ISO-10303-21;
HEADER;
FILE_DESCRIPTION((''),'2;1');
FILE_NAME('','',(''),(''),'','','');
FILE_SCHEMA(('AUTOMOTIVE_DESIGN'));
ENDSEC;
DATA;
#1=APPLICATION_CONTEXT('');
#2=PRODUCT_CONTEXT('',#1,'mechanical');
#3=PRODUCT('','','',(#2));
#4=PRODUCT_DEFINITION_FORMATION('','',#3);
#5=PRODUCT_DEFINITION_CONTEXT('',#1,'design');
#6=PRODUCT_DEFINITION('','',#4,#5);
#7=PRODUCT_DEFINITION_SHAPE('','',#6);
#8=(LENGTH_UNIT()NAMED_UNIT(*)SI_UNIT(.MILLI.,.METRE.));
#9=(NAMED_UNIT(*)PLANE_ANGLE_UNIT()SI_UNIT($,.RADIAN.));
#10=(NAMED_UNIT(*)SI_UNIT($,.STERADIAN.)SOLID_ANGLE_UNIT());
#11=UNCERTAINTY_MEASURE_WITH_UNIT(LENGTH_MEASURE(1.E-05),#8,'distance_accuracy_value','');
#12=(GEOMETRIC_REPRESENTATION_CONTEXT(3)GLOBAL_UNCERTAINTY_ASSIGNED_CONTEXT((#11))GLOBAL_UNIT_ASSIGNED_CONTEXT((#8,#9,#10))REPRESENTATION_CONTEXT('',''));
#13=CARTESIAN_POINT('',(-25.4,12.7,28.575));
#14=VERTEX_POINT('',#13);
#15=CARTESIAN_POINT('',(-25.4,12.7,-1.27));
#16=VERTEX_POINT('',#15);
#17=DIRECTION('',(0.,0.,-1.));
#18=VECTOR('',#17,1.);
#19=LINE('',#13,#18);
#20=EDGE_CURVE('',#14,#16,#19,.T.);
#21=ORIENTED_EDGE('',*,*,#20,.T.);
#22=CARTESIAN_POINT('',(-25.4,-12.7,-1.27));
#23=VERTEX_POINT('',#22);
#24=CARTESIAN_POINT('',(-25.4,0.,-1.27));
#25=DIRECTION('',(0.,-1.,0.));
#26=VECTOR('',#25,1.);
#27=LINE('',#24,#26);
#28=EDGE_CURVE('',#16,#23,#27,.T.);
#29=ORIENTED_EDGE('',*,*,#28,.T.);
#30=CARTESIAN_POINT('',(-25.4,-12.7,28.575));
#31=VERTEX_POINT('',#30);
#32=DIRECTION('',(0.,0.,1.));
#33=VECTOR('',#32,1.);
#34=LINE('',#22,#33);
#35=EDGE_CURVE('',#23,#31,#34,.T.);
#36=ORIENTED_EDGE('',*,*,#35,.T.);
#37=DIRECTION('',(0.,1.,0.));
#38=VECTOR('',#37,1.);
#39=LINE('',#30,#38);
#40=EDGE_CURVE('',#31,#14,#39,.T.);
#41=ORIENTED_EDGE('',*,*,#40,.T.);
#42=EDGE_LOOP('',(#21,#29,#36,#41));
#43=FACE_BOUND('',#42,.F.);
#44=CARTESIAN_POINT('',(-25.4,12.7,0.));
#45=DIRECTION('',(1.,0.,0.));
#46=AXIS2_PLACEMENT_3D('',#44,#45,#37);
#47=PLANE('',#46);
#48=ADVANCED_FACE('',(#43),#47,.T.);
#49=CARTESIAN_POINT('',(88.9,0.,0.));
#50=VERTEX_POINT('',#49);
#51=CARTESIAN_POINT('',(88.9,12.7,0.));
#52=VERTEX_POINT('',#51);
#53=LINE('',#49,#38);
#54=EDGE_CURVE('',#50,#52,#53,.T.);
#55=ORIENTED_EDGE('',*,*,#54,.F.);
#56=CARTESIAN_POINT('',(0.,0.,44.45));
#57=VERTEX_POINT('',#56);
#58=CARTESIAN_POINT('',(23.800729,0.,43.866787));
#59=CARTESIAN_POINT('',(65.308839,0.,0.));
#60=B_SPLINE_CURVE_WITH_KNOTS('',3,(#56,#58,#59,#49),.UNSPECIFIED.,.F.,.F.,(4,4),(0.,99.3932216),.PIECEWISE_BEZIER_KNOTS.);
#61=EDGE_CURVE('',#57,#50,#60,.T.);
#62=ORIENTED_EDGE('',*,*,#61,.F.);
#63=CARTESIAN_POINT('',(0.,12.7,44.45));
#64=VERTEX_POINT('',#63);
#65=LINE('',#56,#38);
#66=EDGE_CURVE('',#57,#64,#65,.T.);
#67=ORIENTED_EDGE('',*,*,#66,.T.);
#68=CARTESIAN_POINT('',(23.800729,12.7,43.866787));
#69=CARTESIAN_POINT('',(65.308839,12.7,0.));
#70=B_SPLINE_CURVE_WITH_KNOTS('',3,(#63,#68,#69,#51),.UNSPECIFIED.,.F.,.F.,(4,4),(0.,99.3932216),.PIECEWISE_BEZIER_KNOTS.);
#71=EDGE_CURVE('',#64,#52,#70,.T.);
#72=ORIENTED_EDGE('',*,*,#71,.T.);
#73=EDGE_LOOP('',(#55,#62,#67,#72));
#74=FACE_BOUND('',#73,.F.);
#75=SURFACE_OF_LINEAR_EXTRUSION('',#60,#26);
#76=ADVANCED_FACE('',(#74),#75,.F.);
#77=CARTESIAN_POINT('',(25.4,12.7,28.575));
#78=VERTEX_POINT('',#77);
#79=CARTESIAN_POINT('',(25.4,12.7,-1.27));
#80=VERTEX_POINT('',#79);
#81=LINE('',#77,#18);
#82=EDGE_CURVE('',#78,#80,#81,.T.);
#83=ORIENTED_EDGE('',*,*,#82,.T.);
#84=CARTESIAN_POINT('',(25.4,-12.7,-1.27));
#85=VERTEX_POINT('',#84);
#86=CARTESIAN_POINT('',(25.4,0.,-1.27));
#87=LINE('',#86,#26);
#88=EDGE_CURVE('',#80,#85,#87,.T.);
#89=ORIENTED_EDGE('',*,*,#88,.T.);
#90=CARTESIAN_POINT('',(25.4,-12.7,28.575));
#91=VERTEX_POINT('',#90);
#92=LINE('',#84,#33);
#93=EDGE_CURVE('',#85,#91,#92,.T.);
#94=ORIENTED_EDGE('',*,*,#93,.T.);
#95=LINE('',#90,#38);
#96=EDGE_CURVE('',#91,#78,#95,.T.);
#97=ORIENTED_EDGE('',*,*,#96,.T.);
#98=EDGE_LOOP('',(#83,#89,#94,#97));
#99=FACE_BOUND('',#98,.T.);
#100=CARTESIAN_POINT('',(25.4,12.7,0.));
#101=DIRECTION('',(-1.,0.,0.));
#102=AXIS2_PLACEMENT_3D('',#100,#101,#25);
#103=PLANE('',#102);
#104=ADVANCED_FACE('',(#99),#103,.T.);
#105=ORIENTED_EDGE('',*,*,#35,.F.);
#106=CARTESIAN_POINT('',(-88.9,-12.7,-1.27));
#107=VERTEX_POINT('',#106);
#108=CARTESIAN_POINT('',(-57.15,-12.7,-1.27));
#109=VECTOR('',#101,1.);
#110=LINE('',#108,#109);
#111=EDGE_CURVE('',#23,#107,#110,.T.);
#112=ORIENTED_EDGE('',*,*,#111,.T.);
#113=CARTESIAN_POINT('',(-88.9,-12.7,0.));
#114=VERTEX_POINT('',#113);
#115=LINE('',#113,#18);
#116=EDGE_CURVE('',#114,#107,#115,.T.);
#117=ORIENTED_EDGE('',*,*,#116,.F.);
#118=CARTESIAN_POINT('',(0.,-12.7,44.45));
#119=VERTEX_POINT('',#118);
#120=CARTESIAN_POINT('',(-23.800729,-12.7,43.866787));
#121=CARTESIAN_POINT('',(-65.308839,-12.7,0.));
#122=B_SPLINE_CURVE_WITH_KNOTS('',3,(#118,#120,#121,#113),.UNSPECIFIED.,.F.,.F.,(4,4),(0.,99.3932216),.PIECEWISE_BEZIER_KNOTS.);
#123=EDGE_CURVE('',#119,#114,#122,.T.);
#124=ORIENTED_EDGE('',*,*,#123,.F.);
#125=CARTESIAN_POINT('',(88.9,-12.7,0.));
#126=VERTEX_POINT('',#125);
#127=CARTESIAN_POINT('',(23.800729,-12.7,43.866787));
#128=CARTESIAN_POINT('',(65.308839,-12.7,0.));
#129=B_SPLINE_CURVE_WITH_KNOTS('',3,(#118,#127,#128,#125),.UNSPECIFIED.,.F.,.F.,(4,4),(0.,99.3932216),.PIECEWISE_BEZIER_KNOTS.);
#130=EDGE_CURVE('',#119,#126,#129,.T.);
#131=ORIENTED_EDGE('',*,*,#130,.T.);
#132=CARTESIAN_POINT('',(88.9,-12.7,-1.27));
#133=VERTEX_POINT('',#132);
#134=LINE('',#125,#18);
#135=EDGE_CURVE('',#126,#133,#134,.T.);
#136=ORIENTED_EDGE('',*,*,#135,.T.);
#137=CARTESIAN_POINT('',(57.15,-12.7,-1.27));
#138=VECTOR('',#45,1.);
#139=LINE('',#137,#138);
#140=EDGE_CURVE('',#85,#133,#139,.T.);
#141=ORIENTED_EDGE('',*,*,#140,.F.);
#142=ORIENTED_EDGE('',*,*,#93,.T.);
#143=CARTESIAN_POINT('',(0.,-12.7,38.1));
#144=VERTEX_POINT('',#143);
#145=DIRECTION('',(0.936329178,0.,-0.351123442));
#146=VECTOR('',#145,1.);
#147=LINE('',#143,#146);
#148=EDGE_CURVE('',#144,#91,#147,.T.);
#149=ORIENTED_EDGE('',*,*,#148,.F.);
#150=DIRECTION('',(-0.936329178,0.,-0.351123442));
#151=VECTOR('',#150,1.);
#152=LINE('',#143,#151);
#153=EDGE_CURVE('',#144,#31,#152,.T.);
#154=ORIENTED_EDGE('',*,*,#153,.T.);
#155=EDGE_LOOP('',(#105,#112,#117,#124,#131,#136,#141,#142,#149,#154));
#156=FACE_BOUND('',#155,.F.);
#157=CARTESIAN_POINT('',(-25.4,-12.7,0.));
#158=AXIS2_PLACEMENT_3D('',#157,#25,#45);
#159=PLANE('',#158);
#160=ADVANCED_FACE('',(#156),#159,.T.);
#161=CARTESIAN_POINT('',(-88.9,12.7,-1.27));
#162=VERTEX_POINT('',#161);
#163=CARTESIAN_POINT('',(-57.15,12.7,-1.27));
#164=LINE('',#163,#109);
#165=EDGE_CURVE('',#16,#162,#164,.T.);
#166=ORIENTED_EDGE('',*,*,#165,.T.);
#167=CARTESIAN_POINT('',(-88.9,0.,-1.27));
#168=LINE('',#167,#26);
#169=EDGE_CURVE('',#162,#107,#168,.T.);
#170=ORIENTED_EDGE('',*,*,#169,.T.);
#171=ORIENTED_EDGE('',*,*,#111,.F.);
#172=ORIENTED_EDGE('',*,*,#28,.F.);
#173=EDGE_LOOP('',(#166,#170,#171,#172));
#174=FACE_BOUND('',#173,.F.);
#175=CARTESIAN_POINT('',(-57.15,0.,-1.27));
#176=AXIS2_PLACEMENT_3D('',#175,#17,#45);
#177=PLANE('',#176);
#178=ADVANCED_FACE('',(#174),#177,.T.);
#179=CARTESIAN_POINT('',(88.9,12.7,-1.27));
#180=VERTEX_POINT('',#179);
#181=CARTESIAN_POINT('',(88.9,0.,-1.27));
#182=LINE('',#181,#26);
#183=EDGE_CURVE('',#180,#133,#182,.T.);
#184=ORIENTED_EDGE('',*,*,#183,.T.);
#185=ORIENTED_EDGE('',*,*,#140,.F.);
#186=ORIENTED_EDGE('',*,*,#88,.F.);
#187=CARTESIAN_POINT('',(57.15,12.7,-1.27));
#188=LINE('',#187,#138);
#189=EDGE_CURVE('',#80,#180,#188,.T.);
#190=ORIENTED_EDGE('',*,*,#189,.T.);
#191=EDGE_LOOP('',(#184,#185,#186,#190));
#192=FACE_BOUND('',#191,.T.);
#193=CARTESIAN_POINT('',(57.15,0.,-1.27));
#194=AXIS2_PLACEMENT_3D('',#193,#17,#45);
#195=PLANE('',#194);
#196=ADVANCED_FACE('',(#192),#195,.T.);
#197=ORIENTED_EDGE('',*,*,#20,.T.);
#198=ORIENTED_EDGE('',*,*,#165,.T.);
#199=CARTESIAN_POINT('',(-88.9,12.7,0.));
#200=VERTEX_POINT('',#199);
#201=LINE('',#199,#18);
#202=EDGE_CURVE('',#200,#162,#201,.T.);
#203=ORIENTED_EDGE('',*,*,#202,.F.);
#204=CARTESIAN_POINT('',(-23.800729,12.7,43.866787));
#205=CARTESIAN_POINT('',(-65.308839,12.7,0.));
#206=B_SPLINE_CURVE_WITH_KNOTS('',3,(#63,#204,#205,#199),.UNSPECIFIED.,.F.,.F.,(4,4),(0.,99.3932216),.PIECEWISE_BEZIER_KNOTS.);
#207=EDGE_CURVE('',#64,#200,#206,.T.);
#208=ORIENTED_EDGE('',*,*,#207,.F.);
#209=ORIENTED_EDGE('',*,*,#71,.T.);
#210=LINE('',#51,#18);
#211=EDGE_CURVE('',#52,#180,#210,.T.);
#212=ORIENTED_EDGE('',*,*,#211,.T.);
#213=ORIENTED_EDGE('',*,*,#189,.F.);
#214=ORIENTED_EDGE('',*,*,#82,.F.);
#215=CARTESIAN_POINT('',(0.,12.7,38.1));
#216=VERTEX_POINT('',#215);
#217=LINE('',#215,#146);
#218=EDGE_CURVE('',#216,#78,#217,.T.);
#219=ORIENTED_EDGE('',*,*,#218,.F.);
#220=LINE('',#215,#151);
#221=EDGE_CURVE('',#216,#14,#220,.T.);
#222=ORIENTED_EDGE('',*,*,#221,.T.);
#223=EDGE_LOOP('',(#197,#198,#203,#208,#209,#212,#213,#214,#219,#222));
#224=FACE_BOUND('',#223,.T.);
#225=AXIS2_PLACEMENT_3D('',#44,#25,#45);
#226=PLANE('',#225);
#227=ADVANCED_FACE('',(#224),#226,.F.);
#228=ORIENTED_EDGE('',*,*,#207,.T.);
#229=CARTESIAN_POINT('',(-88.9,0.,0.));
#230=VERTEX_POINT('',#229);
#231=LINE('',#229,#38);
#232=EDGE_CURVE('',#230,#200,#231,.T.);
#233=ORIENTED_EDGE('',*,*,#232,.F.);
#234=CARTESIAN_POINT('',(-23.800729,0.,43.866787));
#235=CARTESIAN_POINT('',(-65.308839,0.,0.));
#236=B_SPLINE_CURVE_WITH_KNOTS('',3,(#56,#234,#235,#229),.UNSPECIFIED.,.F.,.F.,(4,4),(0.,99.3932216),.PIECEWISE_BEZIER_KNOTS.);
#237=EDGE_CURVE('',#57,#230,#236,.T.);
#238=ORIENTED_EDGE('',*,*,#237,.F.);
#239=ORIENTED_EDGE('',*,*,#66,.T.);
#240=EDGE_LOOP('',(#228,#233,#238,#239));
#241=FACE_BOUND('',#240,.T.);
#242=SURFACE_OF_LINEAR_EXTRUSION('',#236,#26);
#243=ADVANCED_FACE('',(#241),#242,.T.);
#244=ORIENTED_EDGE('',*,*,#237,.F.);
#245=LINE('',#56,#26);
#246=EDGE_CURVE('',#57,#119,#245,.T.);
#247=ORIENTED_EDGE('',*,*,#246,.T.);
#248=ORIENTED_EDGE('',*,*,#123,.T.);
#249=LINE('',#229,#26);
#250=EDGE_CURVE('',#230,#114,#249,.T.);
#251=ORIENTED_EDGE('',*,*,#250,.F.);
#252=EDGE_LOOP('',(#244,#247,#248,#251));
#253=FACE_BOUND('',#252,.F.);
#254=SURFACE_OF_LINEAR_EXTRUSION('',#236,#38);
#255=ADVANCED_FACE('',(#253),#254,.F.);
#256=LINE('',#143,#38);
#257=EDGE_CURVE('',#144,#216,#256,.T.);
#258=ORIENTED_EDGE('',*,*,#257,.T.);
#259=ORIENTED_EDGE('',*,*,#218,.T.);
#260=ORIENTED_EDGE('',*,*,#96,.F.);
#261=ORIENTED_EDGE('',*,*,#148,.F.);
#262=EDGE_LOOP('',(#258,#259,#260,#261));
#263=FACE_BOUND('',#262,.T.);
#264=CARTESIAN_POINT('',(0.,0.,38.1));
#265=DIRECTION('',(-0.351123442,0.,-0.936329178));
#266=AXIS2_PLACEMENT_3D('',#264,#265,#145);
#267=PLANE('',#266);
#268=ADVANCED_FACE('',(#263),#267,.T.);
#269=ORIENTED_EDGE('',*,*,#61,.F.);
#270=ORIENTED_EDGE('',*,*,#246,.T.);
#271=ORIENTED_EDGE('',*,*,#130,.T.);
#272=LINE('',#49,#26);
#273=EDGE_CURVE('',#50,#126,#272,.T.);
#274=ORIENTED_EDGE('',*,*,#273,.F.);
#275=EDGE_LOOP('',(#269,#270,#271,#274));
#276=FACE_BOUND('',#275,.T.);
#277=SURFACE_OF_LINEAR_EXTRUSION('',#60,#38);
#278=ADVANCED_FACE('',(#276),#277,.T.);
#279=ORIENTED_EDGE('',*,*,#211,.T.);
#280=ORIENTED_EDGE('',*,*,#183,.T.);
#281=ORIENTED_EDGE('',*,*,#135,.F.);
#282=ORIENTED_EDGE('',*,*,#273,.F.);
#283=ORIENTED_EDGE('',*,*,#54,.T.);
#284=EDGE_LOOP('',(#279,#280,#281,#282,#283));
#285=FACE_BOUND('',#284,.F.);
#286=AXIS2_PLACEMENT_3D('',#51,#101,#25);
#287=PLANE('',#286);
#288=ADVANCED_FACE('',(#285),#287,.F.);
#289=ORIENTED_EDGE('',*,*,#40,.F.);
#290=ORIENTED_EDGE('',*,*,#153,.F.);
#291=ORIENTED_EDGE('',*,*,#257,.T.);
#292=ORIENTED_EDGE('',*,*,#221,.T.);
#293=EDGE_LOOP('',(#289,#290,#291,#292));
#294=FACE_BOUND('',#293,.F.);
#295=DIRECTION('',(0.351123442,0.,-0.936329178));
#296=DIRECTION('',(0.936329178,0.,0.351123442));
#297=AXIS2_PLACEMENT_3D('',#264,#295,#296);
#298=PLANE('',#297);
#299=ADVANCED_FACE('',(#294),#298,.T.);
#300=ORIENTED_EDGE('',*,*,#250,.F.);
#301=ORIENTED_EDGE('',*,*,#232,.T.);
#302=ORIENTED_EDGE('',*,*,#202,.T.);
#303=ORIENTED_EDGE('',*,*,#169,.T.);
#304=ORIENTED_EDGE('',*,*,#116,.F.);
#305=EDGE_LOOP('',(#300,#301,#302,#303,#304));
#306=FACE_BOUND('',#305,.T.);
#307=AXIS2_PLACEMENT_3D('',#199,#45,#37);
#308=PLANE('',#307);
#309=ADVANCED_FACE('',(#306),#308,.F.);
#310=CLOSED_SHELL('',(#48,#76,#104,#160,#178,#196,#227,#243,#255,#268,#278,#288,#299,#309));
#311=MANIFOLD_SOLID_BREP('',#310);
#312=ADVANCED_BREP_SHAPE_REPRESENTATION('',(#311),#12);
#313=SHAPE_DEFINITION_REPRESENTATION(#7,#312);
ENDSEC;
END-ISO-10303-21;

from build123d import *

# Parameters (mm, degrees)
F1_DEPTH = 12.7
F2_W     = 63.5
F2_H     = 25.4
F3_DEPTH = 1.27


with BuildPart() as f1:
    # F0 (on Front) → F1 (new body, symmetric)
    with BuildSketch(Plane.XZ):
        with BuildLine():
            Line((25.4, 28.575), (25.4, 0))
            Line((25.4, 0), (88.9, 0))
            add(Edge.make_bspline(
                [(0, 44.45), (23.8007288426, 43.8667871058), (65.3088388513, 0), (88.9, 0)],
                knots=[0, 0, 0, 0, 99.3932215999, 99.3932215999, 99.3932215999, 99.3932215999], degree=3))
            Line((0, 44.45), (0, 38.1))
            Line((0, 38.1), (25.4, 28.575))
        make_face()
    extrude(amount=F1_DEPTH, both=True)

    # F2 (on face) → F3 (join)
    with BuildSketch(Plane(origin=(0, 0, 0), x_dir=(1, 0, 0), z_dir=(0, 0, -1))):
        with Locations((57.15, 0)):
            Rectangle(F2_W, F2_H)
    extrude(amount=F3_DEPTH)

    # F4: F1 across face


with BuildPart() as f1_1:
    add(f1.part)
    add(f1.part.mirror(Plane(origin=(0, 0, 41.275), x_dir=(0, -1, 0), z_dir=(-1, 0, 0))))


solid = f1_1.part
